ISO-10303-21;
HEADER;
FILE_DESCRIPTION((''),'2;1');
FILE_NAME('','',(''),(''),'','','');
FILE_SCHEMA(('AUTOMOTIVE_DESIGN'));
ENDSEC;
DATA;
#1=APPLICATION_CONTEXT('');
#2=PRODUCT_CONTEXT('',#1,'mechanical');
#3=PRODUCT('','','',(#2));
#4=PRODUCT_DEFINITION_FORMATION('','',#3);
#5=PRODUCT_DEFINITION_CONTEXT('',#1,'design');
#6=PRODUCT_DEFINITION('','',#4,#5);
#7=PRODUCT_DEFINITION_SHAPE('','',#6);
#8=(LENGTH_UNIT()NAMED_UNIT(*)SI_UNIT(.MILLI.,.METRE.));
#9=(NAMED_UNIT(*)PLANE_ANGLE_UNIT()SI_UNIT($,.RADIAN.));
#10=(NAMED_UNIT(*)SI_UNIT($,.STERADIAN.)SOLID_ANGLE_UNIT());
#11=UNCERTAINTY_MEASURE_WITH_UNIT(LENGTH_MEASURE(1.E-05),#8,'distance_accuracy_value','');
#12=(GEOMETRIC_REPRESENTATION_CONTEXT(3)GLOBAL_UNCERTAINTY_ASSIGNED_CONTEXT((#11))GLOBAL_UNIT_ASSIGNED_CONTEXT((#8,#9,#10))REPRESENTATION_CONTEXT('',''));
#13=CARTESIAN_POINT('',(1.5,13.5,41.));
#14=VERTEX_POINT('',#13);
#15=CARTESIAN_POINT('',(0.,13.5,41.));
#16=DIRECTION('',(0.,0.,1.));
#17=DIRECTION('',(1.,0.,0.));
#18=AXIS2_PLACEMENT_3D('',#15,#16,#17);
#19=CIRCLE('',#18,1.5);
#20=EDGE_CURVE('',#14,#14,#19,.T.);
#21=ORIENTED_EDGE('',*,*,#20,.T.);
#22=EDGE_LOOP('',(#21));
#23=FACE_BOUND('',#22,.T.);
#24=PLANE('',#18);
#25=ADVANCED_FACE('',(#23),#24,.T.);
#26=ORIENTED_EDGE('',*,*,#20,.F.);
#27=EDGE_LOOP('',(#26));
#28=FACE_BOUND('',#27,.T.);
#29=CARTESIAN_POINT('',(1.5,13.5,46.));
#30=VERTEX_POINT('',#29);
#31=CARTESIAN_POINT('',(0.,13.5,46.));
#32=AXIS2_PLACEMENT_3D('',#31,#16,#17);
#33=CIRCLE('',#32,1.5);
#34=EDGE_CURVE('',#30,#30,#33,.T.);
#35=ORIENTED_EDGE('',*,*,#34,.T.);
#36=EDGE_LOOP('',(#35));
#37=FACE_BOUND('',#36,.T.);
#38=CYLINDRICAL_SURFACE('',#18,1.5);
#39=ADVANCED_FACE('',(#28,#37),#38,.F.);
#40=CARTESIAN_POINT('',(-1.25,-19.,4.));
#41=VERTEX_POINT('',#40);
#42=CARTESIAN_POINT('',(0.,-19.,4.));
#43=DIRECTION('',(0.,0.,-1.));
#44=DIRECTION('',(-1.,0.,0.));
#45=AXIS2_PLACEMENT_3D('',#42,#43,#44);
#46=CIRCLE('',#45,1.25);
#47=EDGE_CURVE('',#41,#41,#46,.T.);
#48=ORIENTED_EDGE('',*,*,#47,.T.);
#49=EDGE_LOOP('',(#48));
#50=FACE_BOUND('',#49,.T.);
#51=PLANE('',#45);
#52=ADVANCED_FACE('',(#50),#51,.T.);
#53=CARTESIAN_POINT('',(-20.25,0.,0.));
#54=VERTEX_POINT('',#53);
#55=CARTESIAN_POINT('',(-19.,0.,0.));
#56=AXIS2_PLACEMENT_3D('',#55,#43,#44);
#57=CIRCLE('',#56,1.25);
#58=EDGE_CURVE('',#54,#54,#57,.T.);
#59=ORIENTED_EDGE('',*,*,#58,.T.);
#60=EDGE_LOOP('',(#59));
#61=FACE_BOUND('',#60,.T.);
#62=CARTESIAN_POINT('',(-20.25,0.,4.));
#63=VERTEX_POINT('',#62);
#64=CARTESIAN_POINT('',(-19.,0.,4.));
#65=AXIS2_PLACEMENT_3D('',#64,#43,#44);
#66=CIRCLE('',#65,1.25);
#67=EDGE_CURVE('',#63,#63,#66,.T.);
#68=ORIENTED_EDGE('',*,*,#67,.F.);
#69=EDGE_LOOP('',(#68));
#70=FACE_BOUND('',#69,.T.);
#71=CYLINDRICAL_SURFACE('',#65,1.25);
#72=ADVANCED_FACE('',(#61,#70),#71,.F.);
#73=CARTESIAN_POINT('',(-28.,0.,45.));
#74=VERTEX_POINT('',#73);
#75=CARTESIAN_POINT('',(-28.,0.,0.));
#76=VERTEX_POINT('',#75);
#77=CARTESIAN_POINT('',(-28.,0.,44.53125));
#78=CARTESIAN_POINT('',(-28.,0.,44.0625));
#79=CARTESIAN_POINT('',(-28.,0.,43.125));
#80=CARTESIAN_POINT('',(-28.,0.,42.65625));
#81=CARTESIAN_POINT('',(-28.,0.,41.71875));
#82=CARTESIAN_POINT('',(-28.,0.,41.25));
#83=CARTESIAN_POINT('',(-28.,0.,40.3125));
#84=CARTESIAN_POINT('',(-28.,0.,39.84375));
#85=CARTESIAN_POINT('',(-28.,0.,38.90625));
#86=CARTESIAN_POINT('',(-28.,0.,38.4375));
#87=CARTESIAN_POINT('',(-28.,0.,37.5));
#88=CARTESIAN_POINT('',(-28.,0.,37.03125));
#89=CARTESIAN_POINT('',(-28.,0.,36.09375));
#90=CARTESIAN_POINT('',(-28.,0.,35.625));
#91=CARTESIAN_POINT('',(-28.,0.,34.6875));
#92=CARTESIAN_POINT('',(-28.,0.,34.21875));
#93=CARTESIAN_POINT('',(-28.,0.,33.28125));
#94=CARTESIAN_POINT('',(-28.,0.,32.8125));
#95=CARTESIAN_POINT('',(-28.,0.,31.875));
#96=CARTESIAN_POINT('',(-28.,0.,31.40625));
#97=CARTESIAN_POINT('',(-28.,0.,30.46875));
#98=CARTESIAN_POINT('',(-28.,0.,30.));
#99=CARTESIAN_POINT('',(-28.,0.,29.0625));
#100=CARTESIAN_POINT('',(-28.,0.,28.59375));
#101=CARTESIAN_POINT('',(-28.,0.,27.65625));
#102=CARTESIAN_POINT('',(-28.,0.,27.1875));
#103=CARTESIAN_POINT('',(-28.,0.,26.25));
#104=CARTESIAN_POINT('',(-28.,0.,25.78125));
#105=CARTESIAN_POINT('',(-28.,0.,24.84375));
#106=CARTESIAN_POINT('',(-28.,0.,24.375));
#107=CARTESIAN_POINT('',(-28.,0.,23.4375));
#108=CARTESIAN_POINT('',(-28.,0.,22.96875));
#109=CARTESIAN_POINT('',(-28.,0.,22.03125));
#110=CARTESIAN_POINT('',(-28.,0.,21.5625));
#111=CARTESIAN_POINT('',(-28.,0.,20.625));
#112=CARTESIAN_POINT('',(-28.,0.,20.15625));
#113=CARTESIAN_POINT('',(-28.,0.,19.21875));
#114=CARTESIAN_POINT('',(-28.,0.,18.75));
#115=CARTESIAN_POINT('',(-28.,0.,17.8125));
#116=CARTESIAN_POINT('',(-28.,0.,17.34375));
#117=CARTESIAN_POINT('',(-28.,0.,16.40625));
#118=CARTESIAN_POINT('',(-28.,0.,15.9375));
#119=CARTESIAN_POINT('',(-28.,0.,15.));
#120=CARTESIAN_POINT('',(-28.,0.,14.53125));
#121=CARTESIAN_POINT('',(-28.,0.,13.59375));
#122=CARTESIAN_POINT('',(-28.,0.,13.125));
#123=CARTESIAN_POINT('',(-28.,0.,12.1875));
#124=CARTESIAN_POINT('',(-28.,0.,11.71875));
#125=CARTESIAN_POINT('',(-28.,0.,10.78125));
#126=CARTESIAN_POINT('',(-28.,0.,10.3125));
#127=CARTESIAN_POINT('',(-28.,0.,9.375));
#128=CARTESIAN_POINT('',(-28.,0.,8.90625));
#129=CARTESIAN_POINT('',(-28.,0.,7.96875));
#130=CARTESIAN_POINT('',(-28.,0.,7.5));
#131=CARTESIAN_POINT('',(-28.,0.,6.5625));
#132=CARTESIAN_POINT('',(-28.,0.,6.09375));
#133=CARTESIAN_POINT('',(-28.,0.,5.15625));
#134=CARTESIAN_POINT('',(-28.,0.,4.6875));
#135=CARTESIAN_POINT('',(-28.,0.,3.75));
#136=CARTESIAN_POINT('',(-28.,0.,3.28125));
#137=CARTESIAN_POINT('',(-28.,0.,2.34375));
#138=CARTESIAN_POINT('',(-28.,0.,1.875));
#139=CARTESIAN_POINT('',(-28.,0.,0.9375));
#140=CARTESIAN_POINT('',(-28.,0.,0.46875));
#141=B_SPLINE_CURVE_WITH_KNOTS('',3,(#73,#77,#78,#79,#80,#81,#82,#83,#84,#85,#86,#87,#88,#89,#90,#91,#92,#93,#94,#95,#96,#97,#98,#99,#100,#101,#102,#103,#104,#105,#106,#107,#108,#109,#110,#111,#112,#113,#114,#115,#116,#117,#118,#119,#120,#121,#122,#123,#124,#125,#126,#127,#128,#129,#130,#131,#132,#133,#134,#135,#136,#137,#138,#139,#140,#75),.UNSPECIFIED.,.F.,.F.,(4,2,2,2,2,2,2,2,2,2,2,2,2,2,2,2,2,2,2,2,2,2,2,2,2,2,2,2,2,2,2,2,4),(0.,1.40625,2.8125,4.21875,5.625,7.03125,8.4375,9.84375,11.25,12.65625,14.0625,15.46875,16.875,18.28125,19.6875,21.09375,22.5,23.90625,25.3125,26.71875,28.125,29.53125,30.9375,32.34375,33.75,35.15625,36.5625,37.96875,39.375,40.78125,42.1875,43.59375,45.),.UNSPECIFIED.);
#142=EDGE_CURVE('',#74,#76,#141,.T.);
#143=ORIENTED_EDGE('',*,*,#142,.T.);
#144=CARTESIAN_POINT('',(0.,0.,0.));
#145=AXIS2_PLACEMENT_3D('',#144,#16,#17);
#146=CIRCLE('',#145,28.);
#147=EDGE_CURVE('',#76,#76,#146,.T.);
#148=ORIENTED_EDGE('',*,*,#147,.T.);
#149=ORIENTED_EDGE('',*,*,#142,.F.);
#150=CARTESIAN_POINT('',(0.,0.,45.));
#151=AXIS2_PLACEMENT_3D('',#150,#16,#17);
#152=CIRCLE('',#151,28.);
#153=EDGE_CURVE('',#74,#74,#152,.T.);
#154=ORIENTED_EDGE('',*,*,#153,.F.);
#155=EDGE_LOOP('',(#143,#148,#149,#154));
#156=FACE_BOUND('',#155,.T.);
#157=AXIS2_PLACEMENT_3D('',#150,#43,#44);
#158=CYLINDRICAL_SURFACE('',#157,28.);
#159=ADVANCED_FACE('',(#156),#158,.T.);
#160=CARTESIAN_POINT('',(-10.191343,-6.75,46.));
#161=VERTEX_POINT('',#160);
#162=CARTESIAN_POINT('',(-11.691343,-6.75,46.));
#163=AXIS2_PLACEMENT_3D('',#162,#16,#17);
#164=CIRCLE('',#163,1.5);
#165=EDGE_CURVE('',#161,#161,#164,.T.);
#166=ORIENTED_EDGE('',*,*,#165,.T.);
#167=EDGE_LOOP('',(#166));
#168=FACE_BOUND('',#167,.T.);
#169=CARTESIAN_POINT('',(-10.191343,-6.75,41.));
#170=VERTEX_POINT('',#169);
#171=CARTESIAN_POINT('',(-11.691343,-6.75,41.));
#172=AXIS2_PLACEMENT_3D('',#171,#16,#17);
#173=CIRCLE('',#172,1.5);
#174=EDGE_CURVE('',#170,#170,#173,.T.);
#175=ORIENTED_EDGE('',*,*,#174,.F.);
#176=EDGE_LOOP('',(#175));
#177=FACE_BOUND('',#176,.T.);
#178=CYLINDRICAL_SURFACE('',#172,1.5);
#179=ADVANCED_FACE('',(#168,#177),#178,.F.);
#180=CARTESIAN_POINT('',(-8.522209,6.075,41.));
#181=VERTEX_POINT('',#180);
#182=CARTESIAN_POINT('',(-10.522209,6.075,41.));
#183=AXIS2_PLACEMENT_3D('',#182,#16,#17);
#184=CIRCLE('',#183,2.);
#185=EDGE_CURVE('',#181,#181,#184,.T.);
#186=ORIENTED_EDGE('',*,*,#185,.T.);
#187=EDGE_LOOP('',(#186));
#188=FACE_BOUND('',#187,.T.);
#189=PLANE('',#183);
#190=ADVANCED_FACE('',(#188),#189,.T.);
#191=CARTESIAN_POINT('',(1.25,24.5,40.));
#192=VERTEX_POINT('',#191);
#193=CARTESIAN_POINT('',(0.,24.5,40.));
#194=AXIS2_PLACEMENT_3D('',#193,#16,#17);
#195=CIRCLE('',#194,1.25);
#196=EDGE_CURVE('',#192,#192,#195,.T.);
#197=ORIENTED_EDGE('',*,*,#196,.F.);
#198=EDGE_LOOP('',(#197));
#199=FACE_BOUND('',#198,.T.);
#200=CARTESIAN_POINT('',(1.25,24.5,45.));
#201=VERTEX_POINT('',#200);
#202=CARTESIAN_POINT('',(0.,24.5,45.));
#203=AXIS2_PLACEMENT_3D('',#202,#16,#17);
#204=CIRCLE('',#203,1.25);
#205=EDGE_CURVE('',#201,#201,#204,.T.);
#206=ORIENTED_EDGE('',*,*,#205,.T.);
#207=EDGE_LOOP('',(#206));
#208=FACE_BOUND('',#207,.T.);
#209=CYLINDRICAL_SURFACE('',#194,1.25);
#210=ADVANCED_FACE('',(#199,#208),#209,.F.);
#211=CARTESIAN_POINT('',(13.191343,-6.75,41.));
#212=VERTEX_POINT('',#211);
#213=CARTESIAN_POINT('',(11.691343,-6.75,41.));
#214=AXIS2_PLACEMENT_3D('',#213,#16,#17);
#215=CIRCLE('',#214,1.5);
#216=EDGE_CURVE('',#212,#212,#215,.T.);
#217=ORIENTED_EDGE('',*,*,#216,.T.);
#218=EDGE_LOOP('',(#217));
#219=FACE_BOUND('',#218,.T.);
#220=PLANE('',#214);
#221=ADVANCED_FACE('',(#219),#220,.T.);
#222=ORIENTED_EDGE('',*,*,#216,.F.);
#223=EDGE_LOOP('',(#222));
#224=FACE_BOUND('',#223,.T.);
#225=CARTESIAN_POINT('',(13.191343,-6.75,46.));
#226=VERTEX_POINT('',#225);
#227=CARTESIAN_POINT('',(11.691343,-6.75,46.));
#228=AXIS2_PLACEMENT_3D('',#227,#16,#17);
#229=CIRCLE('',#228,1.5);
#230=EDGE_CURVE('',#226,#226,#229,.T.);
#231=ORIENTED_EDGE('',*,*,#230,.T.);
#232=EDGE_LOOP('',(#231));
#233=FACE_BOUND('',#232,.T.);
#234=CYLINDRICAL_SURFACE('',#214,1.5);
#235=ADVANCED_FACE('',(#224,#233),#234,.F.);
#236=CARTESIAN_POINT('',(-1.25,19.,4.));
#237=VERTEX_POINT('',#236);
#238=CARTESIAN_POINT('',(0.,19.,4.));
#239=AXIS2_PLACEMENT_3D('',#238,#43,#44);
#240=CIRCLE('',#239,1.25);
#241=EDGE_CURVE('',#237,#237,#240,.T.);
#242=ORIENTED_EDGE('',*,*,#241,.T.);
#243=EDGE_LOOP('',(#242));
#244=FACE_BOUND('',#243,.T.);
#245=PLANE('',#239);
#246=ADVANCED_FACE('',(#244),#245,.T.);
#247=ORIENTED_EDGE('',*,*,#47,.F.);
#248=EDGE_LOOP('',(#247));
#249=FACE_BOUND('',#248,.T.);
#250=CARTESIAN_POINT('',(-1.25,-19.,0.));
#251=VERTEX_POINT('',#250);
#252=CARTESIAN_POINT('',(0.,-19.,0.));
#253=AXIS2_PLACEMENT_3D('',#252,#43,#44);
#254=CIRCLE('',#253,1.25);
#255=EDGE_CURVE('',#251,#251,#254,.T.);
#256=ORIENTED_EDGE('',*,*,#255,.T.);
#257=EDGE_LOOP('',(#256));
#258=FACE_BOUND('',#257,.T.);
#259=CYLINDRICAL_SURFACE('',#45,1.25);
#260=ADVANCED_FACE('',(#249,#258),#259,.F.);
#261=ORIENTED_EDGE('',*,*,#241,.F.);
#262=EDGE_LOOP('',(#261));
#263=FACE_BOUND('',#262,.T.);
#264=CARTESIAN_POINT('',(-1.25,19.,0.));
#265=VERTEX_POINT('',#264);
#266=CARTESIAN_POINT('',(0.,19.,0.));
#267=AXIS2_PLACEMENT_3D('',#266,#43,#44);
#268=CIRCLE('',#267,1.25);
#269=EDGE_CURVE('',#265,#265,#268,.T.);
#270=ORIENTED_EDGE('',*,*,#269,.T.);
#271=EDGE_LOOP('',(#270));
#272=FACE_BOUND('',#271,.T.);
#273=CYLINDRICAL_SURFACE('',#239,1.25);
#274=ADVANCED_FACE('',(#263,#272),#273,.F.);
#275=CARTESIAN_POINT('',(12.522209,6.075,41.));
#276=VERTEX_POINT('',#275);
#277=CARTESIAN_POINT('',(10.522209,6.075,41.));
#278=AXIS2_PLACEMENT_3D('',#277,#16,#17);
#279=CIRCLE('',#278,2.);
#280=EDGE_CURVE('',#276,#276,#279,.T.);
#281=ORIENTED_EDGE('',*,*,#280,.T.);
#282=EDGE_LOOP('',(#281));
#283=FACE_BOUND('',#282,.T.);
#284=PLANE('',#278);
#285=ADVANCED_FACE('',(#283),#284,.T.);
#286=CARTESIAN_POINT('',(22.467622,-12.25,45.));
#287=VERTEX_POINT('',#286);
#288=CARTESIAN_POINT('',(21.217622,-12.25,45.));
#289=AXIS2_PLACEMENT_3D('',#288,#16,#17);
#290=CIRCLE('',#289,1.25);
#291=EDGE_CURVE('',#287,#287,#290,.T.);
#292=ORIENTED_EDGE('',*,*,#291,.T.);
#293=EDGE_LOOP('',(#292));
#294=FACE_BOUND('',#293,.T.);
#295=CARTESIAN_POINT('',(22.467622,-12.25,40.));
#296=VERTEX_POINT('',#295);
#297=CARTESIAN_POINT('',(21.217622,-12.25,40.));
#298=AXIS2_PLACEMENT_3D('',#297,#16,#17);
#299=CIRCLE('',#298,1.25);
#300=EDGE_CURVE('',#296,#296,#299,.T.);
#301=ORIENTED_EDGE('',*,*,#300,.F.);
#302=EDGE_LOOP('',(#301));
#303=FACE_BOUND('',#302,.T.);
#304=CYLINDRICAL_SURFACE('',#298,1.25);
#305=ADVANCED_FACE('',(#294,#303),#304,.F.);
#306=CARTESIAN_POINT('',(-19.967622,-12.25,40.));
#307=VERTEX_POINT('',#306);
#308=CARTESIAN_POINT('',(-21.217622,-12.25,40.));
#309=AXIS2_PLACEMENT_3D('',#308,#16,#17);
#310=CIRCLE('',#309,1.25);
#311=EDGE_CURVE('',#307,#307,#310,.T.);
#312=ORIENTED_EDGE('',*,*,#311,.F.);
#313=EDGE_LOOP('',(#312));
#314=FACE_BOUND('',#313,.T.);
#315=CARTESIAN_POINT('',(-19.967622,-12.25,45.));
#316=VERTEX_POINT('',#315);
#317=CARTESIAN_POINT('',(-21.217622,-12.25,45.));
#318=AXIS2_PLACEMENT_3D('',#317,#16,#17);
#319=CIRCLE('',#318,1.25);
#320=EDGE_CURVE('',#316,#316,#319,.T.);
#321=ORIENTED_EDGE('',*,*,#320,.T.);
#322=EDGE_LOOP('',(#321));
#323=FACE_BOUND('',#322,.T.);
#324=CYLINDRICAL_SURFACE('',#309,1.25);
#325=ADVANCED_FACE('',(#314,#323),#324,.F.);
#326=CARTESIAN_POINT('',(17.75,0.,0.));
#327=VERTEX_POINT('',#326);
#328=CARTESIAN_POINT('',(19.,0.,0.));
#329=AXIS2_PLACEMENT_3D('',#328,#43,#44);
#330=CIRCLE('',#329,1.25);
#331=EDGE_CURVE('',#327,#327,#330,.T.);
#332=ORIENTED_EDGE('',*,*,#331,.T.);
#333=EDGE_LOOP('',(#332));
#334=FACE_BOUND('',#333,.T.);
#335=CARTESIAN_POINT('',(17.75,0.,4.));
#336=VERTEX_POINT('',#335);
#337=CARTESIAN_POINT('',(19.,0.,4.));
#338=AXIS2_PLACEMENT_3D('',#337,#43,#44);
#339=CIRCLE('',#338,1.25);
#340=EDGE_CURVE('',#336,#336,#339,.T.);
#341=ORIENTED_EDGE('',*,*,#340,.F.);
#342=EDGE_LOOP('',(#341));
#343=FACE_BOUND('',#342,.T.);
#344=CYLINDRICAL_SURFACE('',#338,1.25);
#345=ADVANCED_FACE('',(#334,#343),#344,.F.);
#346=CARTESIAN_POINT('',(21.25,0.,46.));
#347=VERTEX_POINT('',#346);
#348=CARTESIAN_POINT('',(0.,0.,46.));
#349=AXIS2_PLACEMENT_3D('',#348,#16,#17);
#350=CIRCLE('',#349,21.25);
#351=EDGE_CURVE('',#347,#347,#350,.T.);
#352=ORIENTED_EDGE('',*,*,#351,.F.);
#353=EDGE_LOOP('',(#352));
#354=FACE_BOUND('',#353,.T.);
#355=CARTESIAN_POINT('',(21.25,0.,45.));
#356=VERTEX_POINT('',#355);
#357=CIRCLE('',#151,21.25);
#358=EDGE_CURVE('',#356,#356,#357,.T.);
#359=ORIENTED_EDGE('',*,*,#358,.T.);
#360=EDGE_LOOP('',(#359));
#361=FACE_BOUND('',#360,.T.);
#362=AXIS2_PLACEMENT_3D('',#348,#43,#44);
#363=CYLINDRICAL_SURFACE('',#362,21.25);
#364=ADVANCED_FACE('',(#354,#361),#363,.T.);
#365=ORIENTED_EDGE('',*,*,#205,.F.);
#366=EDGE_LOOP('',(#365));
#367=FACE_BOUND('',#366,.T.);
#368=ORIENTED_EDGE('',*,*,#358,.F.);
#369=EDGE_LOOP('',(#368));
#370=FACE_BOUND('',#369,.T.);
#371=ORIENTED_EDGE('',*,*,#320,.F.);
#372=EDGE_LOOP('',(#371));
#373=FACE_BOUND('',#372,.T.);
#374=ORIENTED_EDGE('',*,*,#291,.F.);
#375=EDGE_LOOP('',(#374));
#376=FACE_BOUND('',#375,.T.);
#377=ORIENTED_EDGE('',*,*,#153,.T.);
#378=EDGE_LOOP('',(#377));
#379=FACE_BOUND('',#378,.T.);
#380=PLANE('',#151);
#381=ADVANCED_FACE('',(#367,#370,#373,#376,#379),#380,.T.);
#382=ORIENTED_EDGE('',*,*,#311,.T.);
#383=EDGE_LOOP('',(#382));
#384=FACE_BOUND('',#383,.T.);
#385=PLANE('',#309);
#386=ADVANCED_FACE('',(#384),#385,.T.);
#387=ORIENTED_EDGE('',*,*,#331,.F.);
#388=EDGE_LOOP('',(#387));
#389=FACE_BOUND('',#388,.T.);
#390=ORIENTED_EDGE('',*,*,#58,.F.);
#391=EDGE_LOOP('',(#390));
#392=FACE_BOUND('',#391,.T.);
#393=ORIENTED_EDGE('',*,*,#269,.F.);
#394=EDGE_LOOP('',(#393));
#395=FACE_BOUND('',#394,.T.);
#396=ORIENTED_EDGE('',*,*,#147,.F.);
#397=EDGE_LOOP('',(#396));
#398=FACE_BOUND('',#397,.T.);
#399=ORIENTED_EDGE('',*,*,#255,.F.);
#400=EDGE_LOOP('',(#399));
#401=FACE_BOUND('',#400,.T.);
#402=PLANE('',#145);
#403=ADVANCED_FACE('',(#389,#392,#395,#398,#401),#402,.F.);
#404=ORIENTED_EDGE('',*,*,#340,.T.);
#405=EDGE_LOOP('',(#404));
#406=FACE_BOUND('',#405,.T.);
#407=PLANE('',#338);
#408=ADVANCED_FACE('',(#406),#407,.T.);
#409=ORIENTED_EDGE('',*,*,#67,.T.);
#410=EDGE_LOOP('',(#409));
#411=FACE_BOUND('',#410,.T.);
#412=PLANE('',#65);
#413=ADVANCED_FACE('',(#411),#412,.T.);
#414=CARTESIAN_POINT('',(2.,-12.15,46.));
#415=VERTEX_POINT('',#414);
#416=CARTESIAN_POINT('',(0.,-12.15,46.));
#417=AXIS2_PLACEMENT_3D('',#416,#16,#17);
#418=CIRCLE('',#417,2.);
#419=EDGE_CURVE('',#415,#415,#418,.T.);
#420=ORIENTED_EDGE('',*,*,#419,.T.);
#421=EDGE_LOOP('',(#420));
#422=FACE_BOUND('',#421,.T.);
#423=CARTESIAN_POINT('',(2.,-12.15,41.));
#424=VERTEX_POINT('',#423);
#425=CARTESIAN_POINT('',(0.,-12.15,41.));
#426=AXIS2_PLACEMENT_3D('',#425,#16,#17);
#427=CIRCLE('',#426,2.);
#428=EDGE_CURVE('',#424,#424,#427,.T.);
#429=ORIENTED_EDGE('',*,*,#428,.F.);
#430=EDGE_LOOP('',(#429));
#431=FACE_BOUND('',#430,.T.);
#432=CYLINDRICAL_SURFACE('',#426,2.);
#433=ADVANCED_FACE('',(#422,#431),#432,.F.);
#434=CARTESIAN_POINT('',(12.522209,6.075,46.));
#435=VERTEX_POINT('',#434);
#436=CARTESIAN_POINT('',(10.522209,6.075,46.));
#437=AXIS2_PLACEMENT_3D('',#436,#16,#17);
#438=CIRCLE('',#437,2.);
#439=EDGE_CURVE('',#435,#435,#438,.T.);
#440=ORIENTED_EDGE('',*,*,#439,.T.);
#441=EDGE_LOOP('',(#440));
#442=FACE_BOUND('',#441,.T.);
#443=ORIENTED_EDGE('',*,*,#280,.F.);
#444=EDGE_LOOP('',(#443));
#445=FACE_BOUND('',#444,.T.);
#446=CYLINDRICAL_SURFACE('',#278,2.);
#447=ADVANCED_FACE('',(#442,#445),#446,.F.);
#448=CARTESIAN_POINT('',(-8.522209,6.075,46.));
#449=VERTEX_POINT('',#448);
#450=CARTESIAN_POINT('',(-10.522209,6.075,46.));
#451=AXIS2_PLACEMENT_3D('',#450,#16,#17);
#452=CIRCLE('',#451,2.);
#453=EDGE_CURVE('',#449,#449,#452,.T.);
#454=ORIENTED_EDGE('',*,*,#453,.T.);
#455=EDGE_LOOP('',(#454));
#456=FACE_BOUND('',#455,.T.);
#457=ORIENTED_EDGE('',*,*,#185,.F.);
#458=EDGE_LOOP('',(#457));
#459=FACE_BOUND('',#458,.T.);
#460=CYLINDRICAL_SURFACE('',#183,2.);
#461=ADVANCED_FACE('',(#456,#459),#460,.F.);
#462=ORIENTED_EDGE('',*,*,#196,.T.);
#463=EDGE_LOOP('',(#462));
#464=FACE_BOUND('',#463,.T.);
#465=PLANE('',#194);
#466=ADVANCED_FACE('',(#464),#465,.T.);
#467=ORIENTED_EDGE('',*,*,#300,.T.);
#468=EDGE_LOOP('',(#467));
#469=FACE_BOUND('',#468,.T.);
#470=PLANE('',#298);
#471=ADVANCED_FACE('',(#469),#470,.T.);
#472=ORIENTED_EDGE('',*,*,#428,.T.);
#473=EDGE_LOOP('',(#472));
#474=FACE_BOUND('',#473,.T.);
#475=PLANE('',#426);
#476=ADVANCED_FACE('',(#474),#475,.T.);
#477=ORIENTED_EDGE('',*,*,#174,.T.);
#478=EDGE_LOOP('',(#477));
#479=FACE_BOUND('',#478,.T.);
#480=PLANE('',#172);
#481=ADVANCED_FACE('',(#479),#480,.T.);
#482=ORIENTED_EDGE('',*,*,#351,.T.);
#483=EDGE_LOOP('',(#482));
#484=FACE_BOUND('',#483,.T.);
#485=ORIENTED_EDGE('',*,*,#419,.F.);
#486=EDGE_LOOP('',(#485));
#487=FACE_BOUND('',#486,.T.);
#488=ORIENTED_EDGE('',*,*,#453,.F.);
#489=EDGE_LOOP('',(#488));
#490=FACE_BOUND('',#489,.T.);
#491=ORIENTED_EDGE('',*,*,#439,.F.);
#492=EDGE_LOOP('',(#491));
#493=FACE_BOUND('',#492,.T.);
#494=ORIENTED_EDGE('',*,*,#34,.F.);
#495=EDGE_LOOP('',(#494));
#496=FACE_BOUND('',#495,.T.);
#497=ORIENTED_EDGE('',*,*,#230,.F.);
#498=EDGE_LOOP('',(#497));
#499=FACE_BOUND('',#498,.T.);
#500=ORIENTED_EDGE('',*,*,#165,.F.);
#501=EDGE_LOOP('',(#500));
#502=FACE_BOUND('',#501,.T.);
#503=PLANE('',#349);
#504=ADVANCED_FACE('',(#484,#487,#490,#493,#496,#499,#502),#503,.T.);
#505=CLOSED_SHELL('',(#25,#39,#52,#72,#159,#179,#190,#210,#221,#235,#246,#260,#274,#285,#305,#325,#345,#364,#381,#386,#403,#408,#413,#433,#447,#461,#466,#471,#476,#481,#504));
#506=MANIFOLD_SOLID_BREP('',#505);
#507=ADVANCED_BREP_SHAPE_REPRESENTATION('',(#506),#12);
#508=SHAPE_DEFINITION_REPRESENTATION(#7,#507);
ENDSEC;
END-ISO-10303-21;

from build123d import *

# Parameters (mm, degrees)
SKETCH_1_R          = 28
EXTRUDE_1_DEPTH     = 45
SKETCH_2_R          = 1.25
CUT_EXTRUDE_1_DEPTH = 4
SKETCH_3_R          = 1.25
CUT_EXTRUDE_2_DEPTH = 5
SKETCH_4_R          = 21.25
EXTRUDE_2_DEPTH     = 1
SKETCH_5_R          = 1.5
CUT_EXTRUDE_3_DEPTH = 5
SKETCH_6_R          = 2
CUT_EXTRUDE_4_DEPTH = 5


with BuildPart() as part:
    # 草图1 → 凸台-拉伸1 (new body)
    with BuildSketch(Plane.XY):
        with Locations(Location((0, 0, 0), (0, 0, 180))):
            Circle(SKETCH_1_R)
    extrude(amount=EXTRUDE_1_DEPTH)

    # 草图2 → 切除-拉伸1 (cut)
    with BuildSketch(Plane(origin=(0, 0, 0), x_dir=(-1, 0, 0), z_dir=(0, 0, -1))):
        with Locations((19, 0)):
            Circle(SKETCH_2_R)
        with Locations((0, -19)):
            Circle(SKETCH_2_R)
        with Locations((-19, 0)):
            Circle(SKETCH_2_R)
        with Locations((0, 19)):
            Circle(SKETCH_2_R)
    extrude(amount=-CUT_EXTRUDE_1_DEPTH, mode=Mode.SUBTRACT)

    # 草图3 → 切除-拉伸2 (cut)
    with BuildSketch(Plane.XY.offset(45)):
        with Locations((0, 24.5)):
            Circle(SKETCH_3_R)
        with Locations((21.217622393, -12.25)):
            Circle(SKETCH_3_R)
        with Locations((-21.217622393, -12.25)):
            Circle(SKETCH_3_R)
    extrude(amount=-CUT_EXTRUDE_2_DEPTH, mode=Mode.SUBTRACT)

    # 草图4 → 凸台-拉伸2 (add)
    with BuildSketch(Plane.XY.offset(45)):
        Circle(SKETCH_4_R)
    extrude(amount=EXTRUDE_2_DEPTH)

    # 草图5 → 切除-拉伸3 (cut)
    with BuildSketch(Plane.XY.offset(46)):
        with Locations((0, 13.5)):
            Circle(SKETCH_5_R)
        with Locations((11.691342951, -6.75)):
            Circle(SKETCH_5_R)
        with Locations((-11.691342951, -6.75)):
            Circle(SKETCH_5_R)
    extrude(amount=-CUT_EXTRUDE_3_DEPTH, mode=Mode.SUBTRACT)

    # 草图6 → 切除-拉伸4 (cut)
    with BuildSketch(Plane.XY.offset(46)):
        with Locations((0, -12.15)):
            Circle(SKETCH_6_R)
        with Locations((-10.522208656, 6.075)):
            Circle(SKETCH_6_R)
        with Locations((10.522208656, 6.075)):
            Circle(SKETCH_6_R)
    extrude(amount=-CUT_EXTRUDE_4_DEPTH, mode=Mode.SUBTRACT)


solid = part.part
